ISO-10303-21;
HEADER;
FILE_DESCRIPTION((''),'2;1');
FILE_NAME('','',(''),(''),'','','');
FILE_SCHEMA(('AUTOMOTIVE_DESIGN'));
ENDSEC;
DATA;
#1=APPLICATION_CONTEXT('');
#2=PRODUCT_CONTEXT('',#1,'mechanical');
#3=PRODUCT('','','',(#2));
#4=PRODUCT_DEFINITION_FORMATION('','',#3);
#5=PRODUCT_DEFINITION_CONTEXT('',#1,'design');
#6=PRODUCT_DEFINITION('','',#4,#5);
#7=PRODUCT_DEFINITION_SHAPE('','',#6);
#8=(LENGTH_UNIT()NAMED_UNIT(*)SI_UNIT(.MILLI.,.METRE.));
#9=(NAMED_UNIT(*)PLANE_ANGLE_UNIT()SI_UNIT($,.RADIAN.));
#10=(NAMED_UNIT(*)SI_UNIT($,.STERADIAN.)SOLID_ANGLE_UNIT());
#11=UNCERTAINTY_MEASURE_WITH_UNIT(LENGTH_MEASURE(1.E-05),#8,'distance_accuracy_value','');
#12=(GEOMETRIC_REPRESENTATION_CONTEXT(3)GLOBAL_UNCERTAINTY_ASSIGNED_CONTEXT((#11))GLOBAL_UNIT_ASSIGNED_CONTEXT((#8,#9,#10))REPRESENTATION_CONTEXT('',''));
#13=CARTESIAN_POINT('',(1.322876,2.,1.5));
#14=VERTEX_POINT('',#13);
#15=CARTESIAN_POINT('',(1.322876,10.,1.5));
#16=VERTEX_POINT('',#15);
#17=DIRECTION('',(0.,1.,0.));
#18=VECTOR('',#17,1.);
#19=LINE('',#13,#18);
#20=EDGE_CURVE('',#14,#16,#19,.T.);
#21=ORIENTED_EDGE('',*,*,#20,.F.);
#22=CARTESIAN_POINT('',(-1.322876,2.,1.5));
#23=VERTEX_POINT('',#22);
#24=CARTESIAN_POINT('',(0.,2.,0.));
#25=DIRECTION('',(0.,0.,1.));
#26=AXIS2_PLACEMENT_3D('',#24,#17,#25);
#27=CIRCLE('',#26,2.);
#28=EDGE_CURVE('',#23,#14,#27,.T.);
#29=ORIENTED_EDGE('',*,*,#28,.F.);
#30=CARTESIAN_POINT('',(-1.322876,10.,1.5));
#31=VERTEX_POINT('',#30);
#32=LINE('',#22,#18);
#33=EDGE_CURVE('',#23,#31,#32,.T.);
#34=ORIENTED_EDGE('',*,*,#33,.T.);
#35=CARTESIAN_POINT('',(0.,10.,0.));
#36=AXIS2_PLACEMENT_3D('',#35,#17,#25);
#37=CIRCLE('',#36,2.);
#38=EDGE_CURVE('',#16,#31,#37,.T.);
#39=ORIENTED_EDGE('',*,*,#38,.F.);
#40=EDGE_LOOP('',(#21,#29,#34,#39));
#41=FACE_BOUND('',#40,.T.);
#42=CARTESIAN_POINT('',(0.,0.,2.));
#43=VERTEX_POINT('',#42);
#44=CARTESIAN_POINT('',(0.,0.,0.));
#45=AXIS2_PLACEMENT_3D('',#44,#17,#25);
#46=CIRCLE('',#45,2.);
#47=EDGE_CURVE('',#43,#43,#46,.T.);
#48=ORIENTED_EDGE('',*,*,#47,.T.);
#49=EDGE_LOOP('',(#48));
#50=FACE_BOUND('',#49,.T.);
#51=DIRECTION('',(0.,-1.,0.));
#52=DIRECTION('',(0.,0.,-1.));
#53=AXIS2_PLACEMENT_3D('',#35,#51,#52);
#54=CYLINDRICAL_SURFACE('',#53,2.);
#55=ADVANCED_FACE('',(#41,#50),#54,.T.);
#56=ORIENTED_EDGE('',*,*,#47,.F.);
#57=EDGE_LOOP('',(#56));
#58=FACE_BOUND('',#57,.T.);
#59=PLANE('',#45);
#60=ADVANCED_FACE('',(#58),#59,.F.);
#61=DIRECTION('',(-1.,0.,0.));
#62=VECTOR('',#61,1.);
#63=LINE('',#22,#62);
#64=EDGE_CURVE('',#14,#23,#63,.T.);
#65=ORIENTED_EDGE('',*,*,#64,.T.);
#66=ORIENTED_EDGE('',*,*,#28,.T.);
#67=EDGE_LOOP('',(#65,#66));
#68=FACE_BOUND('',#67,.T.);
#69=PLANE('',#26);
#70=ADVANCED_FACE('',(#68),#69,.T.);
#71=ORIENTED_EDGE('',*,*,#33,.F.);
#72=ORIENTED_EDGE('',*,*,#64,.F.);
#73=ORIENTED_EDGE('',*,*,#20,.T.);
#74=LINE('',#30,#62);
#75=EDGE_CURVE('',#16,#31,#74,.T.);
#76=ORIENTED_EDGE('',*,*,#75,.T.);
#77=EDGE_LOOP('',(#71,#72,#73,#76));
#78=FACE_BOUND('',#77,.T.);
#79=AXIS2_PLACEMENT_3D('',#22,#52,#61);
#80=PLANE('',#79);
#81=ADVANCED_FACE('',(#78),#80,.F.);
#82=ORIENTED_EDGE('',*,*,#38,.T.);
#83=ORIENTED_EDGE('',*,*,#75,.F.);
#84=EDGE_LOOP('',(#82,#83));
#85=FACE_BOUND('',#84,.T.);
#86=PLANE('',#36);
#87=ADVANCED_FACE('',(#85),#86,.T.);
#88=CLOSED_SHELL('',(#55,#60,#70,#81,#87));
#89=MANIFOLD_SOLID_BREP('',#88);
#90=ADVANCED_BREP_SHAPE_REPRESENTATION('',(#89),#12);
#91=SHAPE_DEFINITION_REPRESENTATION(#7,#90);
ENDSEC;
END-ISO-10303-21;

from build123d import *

# Parameters (mm, degrees)
SKETCH2_R           = 2
BOSS_EXTRUDE1_DEPTH = 10
CUT_EXTRUDE1_DEPTH  = 8


with BuildPart() as part:
    # Sketch2 → Boss-Extrude1 (new body)
    with BuildSketch(Plane(origin=(0, 0, 0), x_dir=(1, 0, 0), z_dir=(0, 1, 0))):
        Circle(SKETCH2_R)
    extrude(amount=BOSS_EXTRUDE1_DEPTH)

    # Sketch3 → Cut-Extrude1 (cut)
    with BuildSketch(Plane(origin=(0, 10, 0), x_dir=(1, 0, 0), z_dir=(0, 1, 0))):
        with BuildLine():
            Line((-1.322875656, -1.5), (1.322875656, -1.5))
            ThreePointArc((1.322875656, -1.5), (0, -2), (-1.322875656, -1.5))
        make_face()
    extrude(amount=-CUT_EXTRUDE1_DEPTH, mode=Mode.SUBTRACT)


solid = part.part
